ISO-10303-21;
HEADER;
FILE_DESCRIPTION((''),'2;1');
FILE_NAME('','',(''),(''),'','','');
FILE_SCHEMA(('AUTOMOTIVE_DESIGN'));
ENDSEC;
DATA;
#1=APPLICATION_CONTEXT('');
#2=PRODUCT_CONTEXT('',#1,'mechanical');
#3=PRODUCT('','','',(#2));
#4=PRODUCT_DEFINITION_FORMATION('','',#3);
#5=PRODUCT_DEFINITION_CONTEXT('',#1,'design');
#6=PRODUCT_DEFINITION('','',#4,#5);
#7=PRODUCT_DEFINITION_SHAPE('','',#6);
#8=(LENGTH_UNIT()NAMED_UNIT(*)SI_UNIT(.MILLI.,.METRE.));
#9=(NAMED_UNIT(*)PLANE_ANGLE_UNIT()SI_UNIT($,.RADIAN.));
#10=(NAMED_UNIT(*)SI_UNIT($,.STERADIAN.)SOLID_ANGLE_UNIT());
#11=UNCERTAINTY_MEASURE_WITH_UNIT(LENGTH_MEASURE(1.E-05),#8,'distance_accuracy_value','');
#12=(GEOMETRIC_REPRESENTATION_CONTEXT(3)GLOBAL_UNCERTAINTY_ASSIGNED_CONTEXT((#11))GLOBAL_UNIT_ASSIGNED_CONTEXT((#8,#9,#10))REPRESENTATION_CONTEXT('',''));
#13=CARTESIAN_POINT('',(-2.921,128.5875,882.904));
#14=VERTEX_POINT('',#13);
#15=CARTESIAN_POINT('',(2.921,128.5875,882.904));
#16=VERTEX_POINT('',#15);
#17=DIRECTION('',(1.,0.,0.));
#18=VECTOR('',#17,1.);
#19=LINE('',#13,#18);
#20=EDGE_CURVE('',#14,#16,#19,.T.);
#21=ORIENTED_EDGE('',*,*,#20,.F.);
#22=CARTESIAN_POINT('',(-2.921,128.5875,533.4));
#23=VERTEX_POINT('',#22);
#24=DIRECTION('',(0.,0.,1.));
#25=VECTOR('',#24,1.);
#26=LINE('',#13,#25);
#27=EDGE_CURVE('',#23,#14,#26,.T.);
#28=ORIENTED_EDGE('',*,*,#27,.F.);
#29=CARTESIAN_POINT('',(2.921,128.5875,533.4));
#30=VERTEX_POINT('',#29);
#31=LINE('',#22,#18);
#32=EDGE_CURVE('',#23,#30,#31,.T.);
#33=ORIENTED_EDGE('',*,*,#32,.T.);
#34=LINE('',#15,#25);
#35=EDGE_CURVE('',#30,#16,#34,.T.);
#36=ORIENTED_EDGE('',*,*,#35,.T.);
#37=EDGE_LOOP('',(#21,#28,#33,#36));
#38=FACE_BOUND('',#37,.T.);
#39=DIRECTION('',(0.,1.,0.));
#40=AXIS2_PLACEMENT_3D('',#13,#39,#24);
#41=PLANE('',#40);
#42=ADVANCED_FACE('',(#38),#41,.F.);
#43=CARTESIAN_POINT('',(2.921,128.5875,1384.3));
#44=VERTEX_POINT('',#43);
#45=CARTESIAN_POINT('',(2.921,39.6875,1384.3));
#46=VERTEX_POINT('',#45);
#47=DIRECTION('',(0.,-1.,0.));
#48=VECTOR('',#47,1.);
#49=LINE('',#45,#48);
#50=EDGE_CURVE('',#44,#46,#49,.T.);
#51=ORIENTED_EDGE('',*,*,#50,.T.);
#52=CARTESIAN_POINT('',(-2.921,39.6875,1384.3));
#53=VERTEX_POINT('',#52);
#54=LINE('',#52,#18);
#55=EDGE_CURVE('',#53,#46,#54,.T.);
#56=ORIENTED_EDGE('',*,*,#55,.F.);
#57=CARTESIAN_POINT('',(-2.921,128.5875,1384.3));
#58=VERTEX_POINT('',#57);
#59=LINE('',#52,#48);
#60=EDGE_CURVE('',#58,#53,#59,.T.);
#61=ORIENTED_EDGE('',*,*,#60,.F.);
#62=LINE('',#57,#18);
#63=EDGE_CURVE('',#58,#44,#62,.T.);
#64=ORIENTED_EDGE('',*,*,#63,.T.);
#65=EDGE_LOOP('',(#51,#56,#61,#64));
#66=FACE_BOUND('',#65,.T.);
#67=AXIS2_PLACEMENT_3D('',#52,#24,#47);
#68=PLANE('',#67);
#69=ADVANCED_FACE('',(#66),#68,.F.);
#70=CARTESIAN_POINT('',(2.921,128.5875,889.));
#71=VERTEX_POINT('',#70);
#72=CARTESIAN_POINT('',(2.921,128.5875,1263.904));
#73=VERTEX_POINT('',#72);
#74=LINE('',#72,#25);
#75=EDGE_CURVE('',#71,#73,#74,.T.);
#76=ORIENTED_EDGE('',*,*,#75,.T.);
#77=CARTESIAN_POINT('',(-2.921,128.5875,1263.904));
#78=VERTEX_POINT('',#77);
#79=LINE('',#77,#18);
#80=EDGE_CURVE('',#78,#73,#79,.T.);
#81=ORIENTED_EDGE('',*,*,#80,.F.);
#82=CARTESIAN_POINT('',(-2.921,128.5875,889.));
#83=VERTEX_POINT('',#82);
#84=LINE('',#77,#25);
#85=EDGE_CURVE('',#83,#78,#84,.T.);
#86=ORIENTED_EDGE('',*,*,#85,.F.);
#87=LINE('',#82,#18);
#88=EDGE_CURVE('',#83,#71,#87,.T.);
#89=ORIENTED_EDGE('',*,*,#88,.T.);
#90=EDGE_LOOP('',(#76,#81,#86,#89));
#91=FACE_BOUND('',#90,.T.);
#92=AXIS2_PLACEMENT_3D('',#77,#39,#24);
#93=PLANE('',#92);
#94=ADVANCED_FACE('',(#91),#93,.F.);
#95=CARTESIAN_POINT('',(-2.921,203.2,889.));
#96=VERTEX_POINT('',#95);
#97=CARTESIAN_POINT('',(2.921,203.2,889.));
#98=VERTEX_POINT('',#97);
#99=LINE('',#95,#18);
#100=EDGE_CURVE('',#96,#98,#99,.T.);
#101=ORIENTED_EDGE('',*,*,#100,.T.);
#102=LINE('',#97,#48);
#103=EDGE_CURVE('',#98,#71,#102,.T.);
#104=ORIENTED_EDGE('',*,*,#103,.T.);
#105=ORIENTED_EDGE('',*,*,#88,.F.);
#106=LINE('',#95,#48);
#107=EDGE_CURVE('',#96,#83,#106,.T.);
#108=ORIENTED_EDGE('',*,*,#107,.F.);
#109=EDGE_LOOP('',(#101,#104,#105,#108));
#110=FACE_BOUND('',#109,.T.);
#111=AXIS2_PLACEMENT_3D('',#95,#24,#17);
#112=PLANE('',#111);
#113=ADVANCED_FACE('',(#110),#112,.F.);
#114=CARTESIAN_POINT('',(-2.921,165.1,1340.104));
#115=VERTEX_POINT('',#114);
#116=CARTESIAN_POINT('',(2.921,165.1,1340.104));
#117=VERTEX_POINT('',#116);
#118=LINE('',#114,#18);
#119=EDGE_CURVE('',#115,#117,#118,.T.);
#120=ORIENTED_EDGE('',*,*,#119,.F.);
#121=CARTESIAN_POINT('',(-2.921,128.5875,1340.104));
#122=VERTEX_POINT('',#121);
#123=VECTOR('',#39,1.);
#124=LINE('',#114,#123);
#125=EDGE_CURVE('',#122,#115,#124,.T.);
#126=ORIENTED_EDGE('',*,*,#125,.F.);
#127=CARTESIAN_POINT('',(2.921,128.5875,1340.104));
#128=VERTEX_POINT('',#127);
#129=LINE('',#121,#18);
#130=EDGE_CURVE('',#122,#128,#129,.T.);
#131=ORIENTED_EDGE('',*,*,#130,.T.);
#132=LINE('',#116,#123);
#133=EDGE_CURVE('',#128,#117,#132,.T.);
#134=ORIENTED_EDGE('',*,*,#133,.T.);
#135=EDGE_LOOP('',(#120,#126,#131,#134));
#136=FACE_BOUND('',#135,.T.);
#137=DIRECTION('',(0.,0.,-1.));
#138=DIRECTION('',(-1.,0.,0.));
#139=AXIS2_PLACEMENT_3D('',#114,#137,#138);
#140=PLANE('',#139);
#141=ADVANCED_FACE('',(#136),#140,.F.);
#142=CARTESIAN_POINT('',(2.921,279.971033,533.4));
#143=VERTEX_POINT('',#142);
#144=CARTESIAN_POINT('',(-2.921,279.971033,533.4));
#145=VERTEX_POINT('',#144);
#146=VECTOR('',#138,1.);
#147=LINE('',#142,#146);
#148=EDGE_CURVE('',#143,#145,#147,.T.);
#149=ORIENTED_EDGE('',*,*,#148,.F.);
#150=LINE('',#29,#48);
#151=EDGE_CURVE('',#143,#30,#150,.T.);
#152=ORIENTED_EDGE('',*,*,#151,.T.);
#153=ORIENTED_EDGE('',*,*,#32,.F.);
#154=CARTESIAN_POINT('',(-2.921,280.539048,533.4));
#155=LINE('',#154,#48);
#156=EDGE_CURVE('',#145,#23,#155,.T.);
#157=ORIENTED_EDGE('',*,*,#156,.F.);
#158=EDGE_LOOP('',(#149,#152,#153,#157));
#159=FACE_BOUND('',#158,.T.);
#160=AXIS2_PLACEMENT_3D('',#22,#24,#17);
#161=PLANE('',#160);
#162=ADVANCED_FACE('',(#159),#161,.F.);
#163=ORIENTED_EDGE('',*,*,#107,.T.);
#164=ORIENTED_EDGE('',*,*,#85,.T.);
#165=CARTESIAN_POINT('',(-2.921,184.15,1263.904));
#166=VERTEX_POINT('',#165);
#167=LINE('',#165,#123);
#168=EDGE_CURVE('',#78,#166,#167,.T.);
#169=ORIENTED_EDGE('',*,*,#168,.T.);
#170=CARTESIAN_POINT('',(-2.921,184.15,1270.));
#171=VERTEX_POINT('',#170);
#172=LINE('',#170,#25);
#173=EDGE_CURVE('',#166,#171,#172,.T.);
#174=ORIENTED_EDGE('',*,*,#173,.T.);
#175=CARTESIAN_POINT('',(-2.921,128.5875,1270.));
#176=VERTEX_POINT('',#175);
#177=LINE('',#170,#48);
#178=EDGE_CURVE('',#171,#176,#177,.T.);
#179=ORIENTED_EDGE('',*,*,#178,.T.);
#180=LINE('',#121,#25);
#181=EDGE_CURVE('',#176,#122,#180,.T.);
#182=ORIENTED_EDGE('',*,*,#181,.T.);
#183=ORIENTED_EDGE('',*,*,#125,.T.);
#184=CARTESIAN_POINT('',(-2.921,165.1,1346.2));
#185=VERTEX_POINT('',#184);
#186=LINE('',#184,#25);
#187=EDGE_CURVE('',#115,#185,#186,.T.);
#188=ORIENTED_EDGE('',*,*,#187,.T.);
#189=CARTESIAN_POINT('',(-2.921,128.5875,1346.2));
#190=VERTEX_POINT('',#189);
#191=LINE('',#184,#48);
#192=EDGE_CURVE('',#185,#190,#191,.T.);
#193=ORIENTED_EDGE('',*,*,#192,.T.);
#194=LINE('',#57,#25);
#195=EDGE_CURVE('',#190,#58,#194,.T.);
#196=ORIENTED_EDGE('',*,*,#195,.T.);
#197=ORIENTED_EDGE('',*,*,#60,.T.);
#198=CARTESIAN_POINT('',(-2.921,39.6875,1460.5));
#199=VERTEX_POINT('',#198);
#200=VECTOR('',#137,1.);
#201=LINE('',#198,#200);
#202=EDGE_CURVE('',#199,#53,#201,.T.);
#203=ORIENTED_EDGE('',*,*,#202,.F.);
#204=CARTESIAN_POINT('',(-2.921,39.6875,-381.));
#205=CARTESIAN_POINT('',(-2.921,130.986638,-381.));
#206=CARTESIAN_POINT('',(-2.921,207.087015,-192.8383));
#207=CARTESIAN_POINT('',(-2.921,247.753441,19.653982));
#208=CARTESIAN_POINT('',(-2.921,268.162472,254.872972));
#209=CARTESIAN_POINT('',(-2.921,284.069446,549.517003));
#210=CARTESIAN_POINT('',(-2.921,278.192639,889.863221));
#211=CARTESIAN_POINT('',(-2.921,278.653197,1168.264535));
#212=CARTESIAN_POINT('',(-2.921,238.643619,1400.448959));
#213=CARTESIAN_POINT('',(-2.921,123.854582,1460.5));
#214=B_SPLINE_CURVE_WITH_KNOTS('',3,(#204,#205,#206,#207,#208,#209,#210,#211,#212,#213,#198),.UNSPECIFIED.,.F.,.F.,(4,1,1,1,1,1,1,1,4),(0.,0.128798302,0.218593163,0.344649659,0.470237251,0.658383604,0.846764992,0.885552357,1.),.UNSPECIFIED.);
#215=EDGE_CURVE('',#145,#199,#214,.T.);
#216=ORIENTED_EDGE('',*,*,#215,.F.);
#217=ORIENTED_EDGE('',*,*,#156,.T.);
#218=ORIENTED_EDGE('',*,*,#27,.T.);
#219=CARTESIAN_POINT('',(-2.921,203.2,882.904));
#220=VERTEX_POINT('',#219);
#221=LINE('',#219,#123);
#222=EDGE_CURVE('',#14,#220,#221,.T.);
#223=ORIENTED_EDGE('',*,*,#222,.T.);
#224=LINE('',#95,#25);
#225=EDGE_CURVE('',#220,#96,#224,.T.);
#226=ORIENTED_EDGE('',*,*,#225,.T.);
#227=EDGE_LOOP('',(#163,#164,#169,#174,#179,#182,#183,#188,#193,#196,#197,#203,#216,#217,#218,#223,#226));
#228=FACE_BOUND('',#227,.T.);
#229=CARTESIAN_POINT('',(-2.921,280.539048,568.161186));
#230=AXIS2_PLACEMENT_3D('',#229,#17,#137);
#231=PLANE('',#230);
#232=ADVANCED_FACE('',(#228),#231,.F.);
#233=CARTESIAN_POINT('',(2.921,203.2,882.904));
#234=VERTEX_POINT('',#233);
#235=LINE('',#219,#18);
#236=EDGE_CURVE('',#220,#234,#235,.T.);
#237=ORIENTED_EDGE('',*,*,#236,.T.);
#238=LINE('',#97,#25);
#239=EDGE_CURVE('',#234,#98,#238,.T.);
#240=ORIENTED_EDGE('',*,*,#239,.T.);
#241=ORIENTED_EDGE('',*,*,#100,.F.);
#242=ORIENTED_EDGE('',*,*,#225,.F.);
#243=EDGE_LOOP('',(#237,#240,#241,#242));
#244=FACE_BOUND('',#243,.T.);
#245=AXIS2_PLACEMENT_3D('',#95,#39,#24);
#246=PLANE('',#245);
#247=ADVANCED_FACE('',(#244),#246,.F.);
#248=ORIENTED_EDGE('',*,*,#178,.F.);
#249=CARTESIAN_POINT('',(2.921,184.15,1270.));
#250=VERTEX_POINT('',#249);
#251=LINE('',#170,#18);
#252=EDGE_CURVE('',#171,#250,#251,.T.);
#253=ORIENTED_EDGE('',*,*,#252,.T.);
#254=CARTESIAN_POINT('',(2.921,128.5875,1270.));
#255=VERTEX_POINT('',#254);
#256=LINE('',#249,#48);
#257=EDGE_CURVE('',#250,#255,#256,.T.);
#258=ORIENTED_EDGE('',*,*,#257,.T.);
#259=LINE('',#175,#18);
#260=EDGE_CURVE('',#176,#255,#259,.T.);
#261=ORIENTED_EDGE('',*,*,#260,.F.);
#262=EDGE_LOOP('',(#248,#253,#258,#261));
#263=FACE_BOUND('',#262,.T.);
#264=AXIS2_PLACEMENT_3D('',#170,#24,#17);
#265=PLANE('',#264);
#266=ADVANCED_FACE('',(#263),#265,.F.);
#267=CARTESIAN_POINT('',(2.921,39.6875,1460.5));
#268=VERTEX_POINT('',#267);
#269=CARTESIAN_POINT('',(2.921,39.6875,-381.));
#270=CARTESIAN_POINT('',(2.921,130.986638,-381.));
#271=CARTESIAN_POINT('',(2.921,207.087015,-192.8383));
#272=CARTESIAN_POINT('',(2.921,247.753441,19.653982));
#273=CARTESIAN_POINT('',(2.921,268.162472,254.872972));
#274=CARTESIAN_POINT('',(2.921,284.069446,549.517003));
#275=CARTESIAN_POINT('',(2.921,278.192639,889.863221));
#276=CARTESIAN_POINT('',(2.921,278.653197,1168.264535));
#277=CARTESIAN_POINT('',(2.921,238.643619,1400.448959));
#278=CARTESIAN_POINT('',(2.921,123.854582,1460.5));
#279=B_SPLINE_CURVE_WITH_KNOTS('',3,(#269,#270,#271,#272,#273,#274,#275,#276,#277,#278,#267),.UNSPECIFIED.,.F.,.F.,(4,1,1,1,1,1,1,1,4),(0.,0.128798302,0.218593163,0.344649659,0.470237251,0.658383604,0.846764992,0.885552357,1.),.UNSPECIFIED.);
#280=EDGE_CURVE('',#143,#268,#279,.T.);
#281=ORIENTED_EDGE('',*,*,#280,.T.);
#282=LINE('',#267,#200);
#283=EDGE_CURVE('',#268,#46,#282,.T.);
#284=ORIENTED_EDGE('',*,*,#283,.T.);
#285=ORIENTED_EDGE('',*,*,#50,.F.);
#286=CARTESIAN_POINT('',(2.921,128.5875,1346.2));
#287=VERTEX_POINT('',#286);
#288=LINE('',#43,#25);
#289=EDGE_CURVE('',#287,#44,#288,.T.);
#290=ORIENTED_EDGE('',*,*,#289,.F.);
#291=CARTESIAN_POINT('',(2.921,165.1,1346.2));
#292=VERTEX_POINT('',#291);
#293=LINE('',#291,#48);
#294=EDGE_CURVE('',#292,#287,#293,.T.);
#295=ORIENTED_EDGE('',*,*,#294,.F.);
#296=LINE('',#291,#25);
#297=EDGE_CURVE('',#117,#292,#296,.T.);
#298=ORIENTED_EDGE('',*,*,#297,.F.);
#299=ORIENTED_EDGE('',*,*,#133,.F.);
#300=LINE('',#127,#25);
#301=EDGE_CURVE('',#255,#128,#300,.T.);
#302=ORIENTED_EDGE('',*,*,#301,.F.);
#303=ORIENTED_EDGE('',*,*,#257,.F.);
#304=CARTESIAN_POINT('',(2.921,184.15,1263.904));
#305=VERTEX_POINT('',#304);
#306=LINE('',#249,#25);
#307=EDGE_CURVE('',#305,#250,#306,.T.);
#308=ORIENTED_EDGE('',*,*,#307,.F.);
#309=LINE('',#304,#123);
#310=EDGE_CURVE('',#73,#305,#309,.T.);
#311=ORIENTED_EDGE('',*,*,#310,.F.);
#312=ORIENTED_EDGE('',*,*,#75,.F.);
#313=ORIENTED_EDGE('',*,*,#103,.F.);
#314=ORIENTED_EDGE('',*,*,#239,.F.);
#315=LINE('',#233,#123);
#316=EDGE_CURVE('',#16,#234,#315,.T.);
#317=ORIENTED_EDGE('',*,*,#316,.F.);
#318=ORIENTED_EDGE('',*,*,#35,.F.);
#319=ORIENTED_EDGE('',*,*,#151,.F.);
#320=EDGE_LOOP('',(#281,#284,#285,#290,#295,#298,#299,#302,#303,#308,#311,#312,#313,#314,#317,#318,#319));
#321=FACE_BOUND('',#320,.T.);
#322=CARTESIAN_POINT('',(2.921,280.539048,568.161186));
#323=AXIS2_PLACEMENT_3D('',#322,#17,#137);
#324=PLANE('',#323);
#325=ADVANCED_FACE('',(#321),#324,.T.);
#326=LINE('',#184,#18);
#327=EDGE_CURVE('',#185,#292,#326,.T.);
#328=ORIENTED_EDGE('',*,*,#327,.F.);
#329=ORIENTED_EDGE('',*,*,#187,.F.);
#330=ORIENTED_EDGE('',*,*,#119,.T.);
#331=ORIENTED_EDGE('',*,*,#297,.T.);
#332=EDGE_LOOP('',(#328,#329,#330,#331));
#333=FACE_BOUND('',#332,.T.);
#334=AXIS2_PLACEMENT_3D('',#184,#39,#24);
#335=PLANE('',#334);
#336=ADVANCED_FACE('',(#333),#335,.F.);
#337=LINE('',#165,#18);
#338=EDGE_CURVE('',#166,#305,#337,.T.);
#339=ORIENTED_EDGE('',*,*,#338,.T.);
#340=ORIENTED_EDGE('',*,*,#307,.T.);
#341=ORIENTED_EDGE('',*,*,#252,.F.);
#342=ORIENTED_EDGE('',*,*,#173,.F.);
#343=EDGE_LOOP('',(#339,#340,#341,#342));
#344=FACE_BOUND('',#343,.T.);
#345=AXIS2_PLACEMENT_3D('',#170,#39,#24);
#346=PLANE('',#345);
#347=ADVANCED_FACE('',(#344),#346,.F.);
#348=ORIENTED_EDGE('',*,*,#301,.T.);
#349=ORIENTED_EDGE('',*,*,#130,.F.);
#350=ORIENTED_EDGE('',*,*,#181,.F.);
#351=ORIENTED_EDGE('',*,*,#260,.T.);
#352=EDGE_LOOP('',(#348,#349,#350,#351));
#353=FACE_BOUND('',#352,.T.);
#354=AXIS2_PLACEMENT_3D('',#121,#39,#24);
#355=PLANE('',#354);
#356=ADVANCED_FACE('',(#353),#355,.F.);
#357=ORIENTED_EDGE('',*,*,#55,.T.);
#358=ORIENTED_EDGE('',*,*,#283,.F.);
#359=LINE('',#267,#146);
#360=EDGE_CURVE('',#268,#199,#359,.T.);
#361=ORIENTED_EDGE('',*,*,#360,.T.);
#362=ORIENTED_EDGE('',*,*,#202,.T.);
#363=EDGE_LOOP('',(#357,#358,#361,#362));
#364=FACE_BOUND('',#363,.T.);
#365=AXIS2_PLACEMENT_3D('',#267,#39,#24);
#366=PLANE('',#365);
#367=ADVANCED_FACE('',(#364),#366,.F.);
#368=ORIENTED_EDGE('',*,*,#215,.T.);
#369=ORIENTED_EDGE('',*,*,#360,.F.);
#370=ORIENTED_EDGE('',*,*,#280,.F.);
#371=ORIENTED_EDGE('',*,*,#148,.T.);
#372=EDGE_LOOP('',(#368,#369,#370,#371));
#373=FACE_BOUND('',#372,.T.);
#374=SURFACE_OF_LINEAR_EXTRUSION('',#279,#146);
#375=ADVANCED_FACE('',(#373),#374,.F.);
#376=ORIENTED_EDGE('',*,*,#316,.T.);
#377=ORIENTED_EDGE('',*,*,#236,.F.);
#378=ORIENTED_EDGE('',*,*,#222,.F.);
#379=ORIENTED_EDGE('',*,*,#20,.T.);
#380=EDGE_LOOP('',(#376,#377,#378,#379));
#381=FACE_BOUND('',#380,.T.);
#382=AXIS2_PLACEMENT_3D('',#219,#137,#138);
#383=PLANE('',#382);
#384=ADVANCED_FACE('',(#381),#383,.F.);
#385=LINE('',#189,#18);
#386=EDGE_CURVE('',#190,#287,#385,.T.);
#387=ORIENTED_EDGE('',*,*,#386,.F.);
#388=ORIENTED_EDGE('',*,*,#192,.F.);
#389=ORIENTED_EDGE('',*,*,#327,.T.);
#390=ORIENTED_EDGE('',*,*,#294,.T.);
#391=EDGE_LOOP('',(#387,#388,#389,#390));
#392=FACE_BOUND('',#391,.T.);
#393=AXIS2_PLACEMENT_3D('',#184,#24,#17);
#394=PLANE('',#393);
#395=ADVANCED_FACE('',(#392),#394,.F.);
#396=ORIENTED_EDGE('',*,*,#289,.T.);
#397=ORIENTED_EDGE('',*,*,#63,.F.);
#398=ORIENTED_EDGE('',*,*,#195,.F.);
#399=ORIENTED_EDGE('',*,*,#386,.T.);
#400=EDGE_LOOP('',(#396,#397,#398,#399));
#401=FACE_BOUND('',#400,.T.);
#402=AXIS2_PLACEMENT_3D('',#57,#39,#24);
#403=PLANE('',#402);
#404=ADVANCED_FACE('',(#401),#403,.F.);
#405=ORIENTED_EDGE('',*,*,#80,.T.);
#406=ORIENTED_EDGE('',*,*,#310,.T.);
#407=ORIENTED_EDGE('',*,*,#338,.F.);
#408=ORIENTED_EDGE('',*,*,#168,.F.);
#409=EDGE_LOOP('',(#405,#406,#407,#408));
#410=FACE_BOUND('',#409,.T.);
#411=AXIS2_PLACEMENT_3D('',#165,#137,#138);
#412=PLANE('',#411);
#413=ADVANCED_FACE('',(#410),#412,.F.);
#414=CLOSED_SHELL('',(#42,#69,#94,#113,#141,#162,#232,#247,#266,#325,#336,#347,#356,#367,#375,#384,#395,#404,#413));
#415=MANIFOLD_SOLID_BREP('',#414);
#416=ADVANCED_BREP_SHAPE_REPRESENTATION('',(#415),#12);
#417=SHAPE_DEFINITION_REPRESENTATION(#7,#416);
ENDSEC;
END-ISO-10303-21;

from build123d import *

# Parameters (mm, degrees)
BOSS_EXTRUDE1_DEPTH = 2.921
CUT_EXTRUDE1_DEPTH  = 1488.311355111


with BuildPart() as part:
    # Sketch3 → Boss-Extrude1 (new, symmetric)
    with BuildSketch(Plane(origin=(0, 0, 0), x_dir=(0, 0, -1), z_dir=(1, 0, 0))):
        with BuildLine():
            Line((-1460.5, 39.6875), (381, 39.6875))
            add(Edge.make_bspline(
                [(-1460.5, 39.6875), (-1460.5, 123.854582151), (-1400.448958782, 238.643618873), (-1168.264534851, 278.653196971), (-889.863220578, 278.192638574), (-549.517003244, 284.069445788), (-254.872972463, 268.16247247), (-19.653982034, 247.753440535), (192.838300002, 207.087014824), (381, 130.986638489), (381, 39.6875)],
                knots=[0, 0, 0, 0, 0.114447643, 0.153235008, 0.341616396, 0.529762749, 0.655350341, 0.781406837, 0.871201698, 1, 1, 1, 1], degree=3))
        make_face()
    extrude(amount=BOSS_EXTRUDE1_DEPTH, both=True)

    # Sketch5 → Cut-Extrude1 (cut, through all)
    with BuildSketch(Plane(origin=(2.921, 0, 0), x_dir=(0, 0, -1), z_dir=(1, 0, 0))):
        Polygon((-1384.3, 39.6875), (545.915550589, 39.6875), (545.915550589, 328.856345879), (-533.4, 328.856345879), (-533.4, 128.5875), (-882.904, 128.5875), (-882.904, 203.2), (-889, 203.2), (-889, 128.5875), (-1263.904, 128.5875), (-1263.904, 184.15), (-1270, 184.15), (-1270, 128.5875), (-1340.104, 128.5875), (-1340.104, 165.1), (-1346.2, 165.1), (-1346.2, 128.5875), (-1384.3, 128.5875), align=None)
    extrude(amount=-CUT_EXTRUDE1_DEPTH, mode=Mode.SUBTRACT)


solid = part.part
